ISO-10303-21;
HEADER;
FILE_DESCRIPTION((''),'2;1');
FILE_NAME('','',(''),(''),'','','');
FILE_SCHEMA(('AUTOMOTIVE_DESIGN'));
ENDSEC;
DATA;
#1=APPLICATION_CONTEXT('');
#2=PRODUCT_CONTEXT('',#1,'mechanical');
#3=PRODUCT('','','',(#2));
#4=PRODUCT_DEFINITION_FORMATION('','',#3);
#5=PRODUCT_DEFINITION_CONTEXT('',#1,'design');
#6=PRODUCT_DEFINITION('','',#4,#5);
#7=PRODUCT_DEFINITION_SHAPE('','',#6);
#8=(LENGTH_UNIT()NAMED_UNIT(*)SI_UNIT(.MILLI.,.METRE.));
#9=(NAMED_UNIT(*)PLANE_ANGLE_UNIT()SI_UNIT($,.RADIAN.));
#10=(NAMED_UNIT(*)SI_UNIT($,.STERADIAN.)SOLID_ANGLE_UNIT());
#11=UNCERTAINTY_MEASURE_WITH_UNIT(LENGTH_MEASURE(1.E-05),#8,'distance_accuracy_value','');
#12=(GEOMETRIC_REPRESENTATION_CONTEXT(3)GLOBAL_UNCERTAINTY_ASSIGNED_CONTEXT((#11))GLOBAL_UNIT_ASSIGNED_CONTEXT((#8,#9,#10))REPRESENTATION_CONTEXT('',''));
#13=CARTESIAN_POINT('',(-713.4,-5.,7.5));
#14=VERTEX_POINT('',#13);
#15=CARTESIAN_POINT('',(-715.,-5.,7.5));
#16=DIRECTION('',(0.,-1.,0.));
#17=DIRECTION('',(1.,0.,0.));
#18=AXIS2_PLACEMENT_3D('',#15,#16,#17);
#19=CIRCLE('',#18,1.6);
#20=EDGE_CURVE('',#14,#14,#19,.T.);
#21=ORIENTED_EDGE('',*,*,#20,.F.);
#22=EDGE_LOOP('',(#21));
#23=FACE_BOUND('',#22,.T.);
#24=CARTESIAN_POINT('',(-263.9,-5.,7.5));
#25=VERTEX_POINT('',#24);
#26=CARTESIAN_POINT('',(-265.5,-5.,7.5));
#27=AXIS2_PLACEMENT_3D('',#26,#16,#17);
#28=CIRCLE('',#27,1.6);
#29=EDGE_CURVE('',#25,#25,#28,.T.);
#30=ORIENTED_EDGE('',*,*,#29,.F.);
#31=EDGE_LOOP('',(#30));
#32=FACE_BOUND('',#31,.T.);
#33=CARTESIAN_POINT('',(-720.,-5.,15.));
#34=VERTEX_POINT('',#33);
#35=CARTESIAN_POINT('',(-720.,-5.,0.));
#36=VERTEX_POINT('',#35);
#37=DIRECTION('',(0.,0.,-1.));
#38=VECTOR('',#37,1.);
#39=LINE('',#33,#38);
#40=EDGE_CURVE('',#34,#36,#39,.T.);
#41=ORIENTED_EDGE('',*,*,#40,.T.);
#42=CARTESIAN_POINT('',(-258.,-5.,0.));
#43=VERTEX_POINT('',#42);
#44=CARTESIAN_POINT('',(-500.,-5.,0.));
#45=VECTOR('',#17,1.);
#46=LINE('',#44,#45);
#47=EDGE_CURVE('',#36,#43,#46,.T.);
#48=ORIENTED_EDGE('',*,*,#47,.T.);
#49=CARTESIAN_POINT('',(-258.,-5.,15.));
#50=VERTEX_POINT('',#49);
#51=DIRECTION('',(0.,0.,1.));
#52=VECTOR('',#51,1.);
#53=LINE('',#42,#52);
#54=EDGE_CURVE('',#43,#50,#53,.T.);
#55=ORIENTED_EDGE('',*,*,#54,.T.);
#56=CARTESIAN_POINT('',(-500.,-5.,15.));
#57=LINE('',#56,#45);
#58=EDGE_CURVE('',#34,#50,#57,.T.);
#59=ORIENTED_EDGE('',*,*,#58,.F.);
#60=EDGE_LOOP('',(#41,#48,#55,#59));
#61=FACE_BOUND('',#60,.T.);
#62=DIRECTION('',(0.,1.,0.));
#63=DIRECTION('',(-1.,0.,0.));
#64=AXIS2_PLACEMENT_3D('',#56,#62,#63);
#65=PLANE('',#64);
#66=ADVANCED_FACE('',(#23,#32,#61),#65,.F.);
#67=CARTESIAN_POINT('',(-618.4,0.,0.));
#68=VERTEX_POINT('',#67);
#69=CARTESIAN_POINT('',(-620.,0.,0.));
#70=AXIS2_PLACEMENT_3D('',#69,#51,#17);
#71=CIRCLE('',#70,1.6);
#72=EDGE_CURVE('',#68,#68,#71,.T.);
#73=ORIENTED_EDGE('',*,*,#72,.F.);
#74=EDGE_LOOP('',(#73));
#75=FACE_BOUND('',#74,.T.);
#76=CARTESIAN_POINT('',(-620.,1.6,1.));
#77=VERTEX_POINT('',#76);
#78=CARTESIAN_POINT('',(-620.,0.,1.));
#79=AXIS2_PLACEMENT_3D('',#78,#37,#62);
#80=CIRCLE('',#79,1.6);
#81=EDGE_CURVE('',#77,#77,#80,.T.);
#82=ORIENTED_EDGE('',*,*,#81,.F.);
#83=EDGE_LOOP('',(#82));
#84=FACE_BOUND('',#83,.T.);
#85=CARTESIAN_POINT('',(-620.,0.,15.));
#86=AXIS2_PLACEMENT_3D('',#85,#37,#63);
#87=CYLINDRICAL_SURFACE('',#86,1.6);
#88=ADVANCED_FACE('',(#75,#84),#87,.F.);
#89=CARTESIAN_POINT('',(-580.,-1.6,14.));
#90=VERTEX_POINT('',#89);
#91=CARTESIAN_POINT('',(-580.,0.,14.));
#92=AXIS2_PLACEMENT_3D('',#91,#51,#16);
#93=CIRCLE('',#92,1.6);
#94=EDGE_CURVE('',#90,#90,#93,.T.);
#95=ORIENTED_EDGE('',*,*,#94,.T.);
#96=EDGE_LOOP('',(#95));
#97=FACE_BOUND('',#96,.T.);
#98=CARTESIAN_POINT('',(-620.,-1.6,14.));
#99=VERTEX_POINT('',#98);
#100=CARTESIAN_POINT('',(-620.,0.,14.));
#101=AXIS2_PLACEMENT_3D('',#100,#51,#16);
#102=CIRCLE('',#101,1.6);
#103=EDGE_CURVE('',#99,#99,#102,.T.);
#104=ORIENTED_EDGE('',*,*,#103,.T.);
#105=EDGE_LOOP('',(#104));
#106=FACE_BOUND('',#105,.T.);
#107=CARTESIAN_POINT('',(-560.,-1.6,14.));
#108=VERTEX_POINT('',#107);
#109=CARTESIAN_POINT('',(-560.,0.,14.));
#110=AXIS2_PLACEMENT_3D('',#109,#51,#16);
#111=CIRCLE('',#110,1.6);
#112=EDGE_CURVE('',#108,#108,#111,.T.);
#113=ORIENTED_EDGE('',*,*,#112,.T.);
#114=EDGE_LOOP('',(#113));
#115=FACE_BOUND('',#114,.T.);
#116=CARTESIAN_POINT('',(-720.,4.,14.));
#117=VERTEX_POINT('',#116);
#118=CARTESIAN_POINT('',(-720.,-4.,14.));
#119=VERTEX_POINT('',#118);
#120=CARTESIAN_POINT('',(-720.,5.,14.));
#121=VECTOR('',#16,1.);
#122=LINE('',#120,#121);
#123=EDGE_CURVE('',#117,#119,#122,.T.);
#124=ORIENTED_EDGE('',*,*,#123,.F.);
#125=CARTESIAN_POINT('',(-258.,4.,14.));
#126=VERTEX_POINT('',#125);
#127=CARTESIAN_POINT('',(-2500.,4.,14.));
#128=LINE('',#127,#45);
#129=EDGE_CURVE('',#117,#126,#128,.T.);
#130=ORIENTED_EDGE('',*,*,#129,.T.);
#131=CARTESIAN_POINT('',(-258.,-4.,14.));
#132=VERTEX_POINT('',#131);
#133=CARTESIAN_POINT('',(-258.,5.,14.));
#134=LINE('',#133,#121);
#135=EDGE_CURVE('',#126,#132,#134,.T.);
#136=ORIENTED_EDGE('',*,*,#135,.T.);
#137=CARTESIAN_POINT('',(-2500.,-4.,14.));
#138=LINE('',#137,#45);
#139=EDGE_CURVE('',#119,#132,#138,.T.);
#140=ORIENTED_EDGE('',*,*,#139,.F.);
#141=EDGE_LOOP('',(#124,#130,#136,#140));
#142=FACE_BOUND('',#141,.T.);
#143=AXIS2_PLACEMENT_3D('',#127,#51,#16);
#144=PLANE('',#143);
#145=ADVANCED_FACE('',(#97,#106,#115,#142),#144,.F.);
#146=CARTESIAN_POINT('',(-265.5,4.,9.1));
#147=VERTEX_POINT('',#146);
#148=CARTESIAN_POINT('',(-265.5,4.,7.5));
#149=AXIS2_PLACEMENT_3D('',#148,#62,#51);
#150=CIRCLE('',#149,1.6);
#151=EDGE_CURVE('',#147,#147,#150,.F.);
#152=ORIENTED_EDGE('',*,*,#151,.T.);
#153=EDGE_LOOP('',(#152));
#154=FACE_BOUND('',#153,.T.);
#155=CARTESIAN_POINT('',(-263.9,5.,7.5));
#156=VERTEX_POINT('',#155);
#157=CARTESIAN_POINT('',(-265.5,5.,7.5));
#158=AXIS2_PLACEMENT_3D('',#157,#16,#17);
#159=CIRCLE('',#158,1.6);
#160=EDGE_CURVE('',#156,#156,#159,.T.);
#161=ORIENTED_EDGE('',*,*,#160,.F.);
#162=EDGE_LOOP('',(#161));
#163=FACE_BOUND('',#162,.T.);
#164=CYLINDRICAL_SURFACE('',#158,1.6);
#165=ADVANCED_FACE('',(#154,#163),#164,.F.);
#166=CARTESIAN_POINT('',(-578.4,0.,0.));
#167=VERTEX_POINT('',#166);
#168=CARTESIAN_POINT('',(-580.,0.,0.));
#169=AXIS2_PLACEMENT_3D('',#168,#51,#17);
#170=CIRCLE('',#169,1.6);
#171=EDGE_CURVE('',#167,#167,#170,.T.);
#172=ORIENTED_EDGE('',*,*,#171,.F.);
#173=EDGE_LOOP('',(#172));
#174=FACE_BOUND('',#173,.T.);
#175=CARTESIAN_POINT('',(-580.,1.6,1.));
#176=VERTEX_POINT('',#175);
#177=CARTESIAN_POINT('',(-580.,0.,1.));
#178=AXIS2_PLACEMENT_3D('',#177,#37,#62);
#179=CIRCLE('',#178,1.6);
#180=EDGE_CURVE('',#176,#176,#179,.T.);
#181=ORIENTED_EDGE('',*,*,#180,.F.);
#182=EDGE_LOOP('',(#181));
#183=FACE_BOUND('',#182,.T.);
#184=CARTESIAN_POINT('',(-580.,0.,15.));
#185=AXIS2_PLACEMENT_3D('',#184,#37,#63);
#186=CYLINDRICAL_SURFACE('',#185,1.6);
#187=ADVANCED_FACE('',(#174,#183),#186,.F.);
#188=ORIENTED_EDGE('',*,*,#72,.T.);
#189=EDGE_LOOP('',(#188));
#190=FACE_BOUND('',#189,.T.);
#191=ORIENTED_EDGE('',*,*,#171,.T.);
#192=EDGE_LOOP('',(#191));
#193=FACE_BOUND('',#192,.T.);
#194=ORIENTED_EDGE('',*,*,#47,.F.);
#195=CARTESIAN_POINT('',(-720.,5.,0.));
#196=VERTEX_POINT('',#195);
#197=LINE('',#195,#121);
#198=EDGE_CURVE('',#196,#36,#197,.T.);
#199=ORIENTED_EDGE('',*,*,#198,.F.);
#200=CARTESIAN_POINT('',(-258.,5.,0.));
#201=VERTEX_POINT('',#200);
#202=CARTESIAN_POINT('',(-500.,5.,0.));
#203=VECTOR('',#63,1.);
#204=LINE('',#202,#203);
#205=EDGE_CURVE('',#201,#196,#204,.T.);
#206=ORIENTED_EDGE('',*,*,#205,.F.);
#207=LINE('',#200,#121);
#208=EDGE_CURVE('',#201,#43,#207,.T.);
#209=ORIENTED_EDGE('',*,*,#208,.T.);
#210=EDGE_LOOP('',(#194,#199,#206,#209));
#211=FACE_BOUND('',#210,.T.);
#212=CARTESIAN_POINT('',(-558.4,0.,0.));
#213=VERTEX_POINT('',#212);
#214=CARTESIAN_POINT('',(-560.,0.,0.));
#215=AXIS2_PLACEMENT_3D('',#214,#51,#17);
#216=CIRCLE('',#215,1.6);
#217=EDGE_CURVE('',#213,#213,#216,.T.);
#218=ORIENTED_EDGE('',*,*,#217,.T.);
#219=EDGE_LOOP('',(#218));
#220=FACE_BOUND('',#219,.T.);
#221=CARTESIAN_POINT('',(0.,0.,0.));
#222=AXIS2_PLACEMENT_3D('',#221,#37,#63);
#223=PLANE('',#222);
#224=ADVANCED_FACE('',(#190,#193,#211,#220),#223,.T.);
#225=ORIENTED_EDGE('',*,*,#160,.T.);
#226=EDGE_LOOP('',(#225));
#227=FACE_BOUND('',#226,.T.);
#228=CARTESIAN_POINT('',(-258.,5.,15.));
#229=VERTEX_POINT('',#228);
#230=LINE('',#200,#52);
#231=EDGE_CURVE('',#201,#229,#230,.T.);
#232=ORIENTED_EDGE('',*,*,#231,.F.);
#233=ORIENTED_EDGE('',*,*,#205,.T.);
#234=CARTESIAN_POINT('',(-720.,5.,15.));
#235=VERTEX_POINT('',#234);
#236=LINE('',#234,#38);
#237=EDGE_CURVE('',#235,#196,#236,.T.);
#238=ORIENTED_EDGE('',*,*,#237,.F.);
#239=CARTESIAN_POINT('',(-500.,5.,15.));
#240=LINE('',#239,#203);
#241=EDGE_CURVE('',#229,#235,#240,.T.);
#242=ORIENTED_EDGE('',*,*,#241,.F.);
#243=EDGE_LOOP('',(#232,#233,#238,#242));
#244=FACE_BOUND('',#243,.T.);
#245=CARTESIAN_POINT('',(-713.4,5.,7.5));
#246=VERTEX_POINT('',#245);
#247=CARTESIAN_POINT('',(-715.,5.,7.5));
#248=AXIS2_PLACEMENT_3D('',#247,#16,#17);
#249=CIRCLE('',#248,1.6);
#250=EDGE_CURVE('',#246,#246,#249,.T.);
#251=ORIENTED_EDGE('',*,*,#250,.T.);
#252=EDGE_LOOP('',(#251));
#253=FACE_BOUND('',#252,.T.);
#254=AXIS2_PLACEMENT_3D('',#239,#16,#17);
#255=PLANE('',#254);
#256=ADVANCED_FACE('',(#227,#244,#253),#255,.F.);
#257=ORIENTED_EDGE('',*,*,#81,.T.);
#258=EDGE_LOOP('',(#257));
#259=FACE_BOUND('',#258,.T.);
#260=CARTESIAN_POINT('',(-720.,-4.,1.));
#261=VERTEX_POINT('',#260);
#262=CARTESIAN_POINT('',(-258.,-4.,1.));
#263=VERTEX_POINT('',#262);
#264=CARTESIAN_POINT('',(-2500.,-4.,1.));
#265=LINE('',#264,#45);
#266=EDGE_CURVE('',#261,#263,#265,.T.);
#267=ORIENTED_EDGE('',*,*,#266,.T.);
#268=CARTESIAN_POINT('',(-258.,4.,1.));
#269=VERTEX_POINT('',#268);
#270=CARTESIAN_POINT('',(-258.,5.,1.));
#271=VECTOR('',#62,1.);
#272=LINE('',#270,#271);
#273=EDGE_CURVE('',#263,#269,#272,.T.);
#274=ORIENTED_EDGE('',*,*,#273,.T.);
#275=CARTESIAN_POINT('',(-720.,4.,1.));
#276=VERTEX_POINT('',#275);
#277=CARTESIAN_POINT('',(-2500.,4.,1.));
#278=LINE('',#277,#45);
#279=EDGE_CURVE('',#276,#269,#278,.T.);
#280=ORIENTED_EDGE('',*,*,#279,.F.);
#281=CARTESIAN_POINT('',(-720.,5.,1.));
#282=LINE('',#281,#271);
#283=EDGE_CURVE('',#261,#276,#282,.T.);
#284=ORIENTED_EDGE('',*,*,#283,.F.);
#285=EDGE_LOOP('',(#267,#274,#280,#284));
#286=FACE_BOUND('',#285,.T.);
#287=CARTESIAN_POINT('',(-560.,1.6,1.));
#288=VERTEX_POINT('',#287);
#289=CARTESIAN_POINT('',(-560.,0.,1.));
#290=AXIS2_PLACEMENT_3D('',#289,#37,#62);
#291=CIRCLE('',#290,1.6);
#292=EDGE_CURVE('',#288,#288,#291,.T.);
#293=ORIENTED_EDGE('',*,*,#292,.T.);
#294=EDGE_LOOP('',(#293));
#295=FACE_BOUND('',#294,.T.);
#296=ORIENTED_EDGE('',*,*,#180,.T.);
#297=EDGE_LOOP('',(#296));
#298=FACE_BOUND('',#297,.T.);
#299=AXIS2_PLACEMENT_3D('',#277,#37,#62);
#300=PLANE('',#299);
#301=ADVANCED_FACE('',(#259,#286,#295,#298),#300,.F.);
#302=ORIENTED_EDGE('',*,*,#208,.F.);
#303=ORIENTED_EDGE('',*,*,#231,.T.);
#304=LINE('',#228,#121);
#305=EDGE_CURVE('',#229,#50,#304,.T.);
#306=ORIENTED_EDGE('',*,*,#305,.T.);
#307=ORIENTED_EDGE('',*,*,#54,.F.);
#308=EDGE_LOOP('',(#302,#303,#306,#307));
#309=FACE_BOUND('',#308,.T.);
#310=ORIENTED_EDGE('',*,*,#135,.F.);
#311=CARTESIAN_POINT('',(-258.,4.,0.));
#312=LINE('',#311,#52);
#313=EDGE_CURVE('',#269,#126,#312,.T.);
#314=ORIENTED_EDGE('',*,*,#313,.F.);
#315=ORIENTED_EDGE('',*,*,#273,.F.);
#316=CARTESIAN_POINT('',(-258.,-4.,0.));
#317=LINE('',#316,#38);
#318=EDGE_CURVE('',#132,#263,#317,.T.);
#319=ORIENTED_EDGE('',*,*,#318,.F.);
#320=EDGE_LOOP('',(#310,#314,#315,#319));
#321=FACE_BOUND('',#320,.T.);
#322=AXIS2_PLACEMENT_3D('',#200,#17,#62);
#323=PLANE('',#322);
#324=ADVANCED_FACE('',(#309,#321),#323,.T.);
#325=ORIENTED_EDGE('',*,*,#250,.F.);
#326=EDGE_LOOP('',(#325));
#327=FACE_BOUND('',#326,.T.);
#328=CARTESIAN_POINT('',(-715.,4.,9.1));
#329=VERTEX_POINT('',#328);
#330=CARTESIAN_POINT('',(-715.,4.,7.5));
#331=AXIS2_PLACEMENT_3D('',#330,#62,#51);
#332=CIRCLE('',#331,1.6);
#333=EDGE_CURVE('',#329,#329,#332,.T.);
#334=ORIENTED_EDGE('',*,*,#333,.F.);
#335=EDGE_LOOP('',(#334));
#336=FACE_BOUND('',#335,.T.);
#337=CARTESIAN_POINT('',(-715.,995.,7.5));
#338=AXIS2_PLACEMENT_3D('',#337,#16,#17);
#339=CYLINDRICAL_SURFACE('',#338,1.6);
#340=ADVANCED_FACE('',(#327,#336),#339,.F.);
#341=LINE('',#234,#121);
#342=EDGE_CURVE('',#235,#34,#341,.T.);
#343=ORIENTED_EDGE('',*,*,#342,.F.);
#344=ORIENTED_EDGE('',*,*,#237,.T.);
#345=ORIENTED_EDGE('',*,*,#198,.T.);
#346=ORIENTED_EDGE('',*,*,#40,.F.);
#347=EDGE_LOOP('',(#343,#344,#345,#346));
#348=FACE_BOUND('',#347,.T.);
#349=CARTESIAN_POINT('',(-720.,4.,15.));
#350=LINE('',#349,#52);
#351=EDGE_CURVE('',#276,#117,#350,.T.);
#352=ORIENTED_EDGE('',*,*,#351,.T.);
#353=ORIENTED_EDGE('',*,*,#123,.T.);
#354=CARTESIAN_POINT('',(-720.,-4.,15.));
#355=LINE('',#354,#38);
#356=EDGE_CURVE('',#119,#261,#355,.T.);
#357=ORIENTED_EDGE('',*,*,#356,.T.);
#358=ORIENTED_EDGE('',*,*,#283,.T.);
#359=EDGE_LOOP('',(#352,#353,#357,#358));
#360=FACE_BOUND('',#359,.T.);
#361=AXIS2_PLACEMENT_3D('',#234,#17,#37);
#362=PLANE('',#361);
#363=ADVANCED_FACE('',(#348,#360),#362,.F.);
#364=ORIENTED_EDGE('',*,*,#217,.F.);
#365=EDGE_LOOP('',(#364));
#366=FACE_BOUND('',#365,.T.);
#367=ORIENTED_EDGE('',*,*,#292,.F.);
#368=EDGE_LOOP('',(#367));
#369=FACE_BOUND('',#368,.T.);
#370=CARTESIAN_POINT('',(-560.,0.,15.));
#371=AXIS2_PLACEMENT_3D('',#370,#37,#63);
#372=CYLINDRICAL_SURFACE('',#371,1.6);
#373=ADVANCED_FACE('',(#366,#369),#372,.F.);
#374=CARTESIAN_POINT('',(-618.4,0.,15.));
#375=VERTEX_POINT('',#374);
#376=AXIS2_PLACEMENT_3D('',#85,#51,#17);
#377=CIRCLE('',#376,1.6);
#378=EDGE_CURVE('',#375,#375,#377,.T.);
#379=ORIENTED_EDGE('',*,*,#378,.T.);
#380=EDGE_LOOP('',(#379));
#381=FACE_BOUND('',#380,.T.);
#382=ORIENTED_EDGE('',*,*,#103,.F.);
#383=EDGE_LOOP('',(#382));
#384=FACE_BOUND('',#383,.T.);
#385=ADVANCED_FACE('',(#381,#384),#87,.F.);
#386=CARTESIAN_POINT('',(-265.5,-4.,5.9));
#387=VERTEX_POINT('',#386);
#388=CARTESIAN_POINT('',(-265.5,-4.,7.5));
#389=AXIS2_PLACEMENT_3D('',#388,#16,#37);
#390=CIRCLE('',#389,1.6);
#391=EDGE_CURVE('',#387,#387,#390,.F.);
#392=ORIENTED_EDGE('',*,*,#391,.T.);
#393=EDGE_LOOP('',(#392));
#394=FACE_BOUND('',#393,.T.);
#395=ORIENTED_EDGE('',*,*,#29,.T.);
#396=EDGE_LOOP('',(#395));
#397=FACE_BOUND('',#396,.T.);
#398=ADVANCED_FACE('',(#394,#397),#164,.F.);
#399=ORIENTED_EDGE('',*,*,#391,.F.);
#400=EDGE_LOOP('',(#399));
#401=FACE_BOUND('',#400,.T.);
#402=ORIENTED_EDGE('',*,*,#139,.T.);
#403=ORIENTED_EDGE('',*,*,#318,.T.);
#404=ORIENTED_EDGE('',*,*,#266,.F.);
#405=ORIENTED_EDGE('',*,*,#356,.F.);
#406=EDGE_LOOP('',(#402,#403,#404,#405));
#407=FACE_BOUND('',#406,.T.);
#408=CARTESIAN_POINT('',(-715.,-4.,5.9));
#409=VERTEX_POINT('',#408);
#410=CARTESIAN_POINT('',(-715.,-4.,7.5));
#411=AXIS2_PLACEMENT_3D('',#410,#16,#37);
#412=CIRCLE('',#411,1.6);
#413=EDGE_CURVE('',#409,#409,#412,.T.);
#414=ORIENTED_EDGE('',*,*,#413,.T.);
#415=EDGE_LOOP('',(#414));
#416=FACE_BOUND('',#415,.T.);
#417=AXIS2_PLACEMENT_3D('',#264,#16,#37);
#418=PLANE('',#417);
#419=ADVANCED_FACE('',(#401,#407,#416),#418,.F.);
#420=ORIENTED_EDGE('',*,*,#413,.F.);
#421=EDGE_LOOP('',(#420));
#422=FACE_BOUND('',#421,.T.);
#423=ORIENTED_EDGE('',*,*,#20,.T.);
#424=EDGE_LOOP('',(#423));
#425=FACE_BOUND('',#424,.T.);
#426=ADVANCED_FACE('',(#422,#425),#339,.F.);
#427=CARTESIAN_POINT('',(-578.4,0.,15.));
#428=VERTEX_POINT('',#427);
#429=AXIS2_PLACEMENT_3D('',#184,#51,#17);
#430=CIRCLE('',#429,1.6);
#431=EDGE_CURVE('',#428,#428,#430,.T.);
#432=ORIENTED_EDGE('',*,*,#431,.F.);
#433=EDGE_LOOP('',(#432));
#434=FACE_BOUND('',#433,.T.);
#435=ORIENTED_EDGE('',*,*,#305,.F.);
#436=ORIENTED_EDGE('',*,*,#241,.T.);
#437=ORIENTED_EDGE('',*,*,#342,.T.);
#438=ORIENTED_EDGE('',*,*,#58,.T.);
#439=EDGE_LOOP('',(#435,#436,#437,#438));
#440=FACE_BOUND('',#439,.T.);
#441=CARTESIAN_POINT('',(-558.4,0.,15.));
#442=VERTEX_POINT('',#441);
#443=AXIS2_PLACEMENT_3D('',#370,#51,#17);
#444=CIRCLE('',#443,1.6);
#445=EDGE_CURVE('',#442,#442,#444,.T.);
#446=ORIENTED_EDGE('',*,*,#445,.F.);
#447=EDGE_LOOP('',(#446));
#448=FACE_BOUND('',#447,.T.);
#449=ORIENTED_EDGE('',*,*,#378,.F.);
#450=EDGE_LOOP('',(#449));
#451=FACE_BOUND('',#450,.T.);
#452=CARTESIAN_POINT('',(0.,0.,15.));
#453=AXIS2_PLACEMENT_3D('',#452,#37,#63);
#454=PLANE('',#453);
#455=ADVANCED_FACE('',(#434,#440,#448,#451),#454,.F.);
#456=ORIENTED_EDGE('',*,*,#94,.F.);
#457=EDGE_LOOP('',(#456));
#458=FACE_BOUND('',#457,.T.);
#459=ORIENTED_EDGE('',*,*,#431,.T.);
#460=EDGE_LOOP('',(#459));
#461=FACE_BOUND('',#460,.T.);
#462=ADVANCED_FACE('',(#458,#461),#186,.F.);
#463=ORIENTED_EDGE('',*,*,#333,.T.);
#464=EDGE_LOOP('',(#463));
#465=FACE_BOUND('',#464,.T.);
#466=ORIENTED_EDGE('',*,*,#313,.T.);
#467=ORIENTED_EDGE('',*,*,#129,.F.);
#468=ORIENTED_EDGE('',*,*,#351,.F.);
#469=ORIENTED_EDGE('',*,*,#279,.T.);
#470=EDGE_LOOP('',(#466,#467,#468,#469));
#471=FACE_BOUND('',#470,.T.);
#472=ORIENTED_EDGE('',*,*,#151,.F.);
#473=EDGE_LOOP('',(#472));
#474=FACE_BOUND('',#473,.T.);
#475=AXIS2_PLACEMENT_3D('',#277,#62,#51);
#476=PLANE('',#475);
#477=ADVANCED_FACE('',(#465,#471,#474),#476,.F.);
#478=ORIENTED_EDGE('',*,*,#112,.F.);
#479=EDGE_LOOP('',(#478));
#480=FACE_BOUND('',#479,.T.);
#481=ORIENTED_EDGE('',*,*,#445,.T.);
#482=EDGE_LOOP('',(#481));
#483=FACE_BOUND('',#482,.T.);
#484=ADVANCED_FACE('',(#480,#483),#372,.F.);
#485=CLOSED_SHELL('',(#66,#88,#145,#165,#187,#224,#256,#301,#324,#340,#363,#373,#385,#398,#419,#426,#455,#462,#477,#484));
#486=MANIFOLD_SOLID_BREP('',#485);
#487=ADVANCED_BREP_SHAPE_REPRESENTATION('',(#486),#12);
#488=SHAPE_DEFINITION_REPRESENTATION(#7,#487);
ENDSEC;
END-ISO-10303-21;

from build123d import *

# Parameters (mm, degrees)
SKETCH_1_W          = 220
SKETCH_1_H          = 10
SKETCH_1_R          = 1.6
EXTRUDE_1_DEPTH     = 15
SKETCH_2_W          = 13
SKETCH_2_H          = 8
CUT_EXTRUDE_1_DEPTH = 2000
SKETCH_3_R          = 1.6
CUT_EXTRUDE_2_DEPTH = 1000
SKETCH_7_W          = 242
SKETCH_7_H          = 15
SKETCH_7_R          = 1.6
EXTRUDE_3_DEPTH     = 10
SKETCH_8_W          = 13
SKETCH_8_H          = 8
CUT_EXTRUDE_4_DEPTH = 1000


with BuildPart() as part:
    # ｽｹｯﾁ1 → ﾎﾞｽ - 押し出し1 (new body)
    with BuildSketch(Plane.XY):
        with Locations((-610, 0)):
            Rectangle(SKETCH_1_W, SKETCH_1_H)
        with Locations((-620, 0)):
            Circle(SKETCH_1_R, mode=Mode.SUBTRACT)
        with Locations((-580, 0)):
            Circle(SKETCH_1_R, mode=Mode.SUBTRACT)
        with Locations((-560, 0)):
            Circle(SKETCH_1_R, mode=Mode.SUBTRACT)
    extrude(amount=EXTRUDE_1_DEPTH)

    # ｽｹｯﾁ2 → ｶｯﾄ - 押し出し1 (cut)
    with BuildSketch(Plane(origin=(-500, 0, 0), x_dir=(0, 0, -1), z_dir=(1, 0, 0))):
        with Locations((-7.5, 0)):
            Rectangle(SKETCH_2_W, SKETCH_2_H)
    extrude(amount=-CUT_EXTRUDE_1_DEPTH, mode=Mode.SUBTRACT)

    # ｽｹｯﾁ3 → ｶｯﾄ - 押し出し2 (cut)
    with BuildSketch(Plane(origin=(0, -5, 0), x_dir=(-1, 0, 0), z_dir=(0, -1, 0))):
        with Locations(Location((715, -7.5, 0), (0, 0, 180))):
            Circle(SKETCH_3_R)
    extrude(amount=-CUT_EXTRUDE_2_DEPTH, mode=Mode.SUBTRACT)

    # ｽｹｯﾁ7 → ﾎﾞｽ - 押し出し3 (add)
    with BuildSketch(Plane.XZ.offset(5)):
        with Locations((-379, 7.5)):
            Rectangle(SKETCH_7_W, SKETCH_7_H)
        with Locations((-265.5, 7.5)):
            Circle(SKETCH_7_R, mode=Mode.SUBTRACT)
    extrude(amount=-EXTRUDE_3_DEPTH)

    # ｽｹｯﾁ8 → ｶｯﾄ - 押し出し4 (cut)
    with BuildSketch(Plane.ZY.offset(720)):
        with Locations((7.5, 0)):
            Rectangle(SKETCH_8_W, SKETCH_8_H)
    extrude(amount=-CUT_EXTRUDE_4_DEPTH, mode=Mode.SUBTRACT)


solid = part.part
